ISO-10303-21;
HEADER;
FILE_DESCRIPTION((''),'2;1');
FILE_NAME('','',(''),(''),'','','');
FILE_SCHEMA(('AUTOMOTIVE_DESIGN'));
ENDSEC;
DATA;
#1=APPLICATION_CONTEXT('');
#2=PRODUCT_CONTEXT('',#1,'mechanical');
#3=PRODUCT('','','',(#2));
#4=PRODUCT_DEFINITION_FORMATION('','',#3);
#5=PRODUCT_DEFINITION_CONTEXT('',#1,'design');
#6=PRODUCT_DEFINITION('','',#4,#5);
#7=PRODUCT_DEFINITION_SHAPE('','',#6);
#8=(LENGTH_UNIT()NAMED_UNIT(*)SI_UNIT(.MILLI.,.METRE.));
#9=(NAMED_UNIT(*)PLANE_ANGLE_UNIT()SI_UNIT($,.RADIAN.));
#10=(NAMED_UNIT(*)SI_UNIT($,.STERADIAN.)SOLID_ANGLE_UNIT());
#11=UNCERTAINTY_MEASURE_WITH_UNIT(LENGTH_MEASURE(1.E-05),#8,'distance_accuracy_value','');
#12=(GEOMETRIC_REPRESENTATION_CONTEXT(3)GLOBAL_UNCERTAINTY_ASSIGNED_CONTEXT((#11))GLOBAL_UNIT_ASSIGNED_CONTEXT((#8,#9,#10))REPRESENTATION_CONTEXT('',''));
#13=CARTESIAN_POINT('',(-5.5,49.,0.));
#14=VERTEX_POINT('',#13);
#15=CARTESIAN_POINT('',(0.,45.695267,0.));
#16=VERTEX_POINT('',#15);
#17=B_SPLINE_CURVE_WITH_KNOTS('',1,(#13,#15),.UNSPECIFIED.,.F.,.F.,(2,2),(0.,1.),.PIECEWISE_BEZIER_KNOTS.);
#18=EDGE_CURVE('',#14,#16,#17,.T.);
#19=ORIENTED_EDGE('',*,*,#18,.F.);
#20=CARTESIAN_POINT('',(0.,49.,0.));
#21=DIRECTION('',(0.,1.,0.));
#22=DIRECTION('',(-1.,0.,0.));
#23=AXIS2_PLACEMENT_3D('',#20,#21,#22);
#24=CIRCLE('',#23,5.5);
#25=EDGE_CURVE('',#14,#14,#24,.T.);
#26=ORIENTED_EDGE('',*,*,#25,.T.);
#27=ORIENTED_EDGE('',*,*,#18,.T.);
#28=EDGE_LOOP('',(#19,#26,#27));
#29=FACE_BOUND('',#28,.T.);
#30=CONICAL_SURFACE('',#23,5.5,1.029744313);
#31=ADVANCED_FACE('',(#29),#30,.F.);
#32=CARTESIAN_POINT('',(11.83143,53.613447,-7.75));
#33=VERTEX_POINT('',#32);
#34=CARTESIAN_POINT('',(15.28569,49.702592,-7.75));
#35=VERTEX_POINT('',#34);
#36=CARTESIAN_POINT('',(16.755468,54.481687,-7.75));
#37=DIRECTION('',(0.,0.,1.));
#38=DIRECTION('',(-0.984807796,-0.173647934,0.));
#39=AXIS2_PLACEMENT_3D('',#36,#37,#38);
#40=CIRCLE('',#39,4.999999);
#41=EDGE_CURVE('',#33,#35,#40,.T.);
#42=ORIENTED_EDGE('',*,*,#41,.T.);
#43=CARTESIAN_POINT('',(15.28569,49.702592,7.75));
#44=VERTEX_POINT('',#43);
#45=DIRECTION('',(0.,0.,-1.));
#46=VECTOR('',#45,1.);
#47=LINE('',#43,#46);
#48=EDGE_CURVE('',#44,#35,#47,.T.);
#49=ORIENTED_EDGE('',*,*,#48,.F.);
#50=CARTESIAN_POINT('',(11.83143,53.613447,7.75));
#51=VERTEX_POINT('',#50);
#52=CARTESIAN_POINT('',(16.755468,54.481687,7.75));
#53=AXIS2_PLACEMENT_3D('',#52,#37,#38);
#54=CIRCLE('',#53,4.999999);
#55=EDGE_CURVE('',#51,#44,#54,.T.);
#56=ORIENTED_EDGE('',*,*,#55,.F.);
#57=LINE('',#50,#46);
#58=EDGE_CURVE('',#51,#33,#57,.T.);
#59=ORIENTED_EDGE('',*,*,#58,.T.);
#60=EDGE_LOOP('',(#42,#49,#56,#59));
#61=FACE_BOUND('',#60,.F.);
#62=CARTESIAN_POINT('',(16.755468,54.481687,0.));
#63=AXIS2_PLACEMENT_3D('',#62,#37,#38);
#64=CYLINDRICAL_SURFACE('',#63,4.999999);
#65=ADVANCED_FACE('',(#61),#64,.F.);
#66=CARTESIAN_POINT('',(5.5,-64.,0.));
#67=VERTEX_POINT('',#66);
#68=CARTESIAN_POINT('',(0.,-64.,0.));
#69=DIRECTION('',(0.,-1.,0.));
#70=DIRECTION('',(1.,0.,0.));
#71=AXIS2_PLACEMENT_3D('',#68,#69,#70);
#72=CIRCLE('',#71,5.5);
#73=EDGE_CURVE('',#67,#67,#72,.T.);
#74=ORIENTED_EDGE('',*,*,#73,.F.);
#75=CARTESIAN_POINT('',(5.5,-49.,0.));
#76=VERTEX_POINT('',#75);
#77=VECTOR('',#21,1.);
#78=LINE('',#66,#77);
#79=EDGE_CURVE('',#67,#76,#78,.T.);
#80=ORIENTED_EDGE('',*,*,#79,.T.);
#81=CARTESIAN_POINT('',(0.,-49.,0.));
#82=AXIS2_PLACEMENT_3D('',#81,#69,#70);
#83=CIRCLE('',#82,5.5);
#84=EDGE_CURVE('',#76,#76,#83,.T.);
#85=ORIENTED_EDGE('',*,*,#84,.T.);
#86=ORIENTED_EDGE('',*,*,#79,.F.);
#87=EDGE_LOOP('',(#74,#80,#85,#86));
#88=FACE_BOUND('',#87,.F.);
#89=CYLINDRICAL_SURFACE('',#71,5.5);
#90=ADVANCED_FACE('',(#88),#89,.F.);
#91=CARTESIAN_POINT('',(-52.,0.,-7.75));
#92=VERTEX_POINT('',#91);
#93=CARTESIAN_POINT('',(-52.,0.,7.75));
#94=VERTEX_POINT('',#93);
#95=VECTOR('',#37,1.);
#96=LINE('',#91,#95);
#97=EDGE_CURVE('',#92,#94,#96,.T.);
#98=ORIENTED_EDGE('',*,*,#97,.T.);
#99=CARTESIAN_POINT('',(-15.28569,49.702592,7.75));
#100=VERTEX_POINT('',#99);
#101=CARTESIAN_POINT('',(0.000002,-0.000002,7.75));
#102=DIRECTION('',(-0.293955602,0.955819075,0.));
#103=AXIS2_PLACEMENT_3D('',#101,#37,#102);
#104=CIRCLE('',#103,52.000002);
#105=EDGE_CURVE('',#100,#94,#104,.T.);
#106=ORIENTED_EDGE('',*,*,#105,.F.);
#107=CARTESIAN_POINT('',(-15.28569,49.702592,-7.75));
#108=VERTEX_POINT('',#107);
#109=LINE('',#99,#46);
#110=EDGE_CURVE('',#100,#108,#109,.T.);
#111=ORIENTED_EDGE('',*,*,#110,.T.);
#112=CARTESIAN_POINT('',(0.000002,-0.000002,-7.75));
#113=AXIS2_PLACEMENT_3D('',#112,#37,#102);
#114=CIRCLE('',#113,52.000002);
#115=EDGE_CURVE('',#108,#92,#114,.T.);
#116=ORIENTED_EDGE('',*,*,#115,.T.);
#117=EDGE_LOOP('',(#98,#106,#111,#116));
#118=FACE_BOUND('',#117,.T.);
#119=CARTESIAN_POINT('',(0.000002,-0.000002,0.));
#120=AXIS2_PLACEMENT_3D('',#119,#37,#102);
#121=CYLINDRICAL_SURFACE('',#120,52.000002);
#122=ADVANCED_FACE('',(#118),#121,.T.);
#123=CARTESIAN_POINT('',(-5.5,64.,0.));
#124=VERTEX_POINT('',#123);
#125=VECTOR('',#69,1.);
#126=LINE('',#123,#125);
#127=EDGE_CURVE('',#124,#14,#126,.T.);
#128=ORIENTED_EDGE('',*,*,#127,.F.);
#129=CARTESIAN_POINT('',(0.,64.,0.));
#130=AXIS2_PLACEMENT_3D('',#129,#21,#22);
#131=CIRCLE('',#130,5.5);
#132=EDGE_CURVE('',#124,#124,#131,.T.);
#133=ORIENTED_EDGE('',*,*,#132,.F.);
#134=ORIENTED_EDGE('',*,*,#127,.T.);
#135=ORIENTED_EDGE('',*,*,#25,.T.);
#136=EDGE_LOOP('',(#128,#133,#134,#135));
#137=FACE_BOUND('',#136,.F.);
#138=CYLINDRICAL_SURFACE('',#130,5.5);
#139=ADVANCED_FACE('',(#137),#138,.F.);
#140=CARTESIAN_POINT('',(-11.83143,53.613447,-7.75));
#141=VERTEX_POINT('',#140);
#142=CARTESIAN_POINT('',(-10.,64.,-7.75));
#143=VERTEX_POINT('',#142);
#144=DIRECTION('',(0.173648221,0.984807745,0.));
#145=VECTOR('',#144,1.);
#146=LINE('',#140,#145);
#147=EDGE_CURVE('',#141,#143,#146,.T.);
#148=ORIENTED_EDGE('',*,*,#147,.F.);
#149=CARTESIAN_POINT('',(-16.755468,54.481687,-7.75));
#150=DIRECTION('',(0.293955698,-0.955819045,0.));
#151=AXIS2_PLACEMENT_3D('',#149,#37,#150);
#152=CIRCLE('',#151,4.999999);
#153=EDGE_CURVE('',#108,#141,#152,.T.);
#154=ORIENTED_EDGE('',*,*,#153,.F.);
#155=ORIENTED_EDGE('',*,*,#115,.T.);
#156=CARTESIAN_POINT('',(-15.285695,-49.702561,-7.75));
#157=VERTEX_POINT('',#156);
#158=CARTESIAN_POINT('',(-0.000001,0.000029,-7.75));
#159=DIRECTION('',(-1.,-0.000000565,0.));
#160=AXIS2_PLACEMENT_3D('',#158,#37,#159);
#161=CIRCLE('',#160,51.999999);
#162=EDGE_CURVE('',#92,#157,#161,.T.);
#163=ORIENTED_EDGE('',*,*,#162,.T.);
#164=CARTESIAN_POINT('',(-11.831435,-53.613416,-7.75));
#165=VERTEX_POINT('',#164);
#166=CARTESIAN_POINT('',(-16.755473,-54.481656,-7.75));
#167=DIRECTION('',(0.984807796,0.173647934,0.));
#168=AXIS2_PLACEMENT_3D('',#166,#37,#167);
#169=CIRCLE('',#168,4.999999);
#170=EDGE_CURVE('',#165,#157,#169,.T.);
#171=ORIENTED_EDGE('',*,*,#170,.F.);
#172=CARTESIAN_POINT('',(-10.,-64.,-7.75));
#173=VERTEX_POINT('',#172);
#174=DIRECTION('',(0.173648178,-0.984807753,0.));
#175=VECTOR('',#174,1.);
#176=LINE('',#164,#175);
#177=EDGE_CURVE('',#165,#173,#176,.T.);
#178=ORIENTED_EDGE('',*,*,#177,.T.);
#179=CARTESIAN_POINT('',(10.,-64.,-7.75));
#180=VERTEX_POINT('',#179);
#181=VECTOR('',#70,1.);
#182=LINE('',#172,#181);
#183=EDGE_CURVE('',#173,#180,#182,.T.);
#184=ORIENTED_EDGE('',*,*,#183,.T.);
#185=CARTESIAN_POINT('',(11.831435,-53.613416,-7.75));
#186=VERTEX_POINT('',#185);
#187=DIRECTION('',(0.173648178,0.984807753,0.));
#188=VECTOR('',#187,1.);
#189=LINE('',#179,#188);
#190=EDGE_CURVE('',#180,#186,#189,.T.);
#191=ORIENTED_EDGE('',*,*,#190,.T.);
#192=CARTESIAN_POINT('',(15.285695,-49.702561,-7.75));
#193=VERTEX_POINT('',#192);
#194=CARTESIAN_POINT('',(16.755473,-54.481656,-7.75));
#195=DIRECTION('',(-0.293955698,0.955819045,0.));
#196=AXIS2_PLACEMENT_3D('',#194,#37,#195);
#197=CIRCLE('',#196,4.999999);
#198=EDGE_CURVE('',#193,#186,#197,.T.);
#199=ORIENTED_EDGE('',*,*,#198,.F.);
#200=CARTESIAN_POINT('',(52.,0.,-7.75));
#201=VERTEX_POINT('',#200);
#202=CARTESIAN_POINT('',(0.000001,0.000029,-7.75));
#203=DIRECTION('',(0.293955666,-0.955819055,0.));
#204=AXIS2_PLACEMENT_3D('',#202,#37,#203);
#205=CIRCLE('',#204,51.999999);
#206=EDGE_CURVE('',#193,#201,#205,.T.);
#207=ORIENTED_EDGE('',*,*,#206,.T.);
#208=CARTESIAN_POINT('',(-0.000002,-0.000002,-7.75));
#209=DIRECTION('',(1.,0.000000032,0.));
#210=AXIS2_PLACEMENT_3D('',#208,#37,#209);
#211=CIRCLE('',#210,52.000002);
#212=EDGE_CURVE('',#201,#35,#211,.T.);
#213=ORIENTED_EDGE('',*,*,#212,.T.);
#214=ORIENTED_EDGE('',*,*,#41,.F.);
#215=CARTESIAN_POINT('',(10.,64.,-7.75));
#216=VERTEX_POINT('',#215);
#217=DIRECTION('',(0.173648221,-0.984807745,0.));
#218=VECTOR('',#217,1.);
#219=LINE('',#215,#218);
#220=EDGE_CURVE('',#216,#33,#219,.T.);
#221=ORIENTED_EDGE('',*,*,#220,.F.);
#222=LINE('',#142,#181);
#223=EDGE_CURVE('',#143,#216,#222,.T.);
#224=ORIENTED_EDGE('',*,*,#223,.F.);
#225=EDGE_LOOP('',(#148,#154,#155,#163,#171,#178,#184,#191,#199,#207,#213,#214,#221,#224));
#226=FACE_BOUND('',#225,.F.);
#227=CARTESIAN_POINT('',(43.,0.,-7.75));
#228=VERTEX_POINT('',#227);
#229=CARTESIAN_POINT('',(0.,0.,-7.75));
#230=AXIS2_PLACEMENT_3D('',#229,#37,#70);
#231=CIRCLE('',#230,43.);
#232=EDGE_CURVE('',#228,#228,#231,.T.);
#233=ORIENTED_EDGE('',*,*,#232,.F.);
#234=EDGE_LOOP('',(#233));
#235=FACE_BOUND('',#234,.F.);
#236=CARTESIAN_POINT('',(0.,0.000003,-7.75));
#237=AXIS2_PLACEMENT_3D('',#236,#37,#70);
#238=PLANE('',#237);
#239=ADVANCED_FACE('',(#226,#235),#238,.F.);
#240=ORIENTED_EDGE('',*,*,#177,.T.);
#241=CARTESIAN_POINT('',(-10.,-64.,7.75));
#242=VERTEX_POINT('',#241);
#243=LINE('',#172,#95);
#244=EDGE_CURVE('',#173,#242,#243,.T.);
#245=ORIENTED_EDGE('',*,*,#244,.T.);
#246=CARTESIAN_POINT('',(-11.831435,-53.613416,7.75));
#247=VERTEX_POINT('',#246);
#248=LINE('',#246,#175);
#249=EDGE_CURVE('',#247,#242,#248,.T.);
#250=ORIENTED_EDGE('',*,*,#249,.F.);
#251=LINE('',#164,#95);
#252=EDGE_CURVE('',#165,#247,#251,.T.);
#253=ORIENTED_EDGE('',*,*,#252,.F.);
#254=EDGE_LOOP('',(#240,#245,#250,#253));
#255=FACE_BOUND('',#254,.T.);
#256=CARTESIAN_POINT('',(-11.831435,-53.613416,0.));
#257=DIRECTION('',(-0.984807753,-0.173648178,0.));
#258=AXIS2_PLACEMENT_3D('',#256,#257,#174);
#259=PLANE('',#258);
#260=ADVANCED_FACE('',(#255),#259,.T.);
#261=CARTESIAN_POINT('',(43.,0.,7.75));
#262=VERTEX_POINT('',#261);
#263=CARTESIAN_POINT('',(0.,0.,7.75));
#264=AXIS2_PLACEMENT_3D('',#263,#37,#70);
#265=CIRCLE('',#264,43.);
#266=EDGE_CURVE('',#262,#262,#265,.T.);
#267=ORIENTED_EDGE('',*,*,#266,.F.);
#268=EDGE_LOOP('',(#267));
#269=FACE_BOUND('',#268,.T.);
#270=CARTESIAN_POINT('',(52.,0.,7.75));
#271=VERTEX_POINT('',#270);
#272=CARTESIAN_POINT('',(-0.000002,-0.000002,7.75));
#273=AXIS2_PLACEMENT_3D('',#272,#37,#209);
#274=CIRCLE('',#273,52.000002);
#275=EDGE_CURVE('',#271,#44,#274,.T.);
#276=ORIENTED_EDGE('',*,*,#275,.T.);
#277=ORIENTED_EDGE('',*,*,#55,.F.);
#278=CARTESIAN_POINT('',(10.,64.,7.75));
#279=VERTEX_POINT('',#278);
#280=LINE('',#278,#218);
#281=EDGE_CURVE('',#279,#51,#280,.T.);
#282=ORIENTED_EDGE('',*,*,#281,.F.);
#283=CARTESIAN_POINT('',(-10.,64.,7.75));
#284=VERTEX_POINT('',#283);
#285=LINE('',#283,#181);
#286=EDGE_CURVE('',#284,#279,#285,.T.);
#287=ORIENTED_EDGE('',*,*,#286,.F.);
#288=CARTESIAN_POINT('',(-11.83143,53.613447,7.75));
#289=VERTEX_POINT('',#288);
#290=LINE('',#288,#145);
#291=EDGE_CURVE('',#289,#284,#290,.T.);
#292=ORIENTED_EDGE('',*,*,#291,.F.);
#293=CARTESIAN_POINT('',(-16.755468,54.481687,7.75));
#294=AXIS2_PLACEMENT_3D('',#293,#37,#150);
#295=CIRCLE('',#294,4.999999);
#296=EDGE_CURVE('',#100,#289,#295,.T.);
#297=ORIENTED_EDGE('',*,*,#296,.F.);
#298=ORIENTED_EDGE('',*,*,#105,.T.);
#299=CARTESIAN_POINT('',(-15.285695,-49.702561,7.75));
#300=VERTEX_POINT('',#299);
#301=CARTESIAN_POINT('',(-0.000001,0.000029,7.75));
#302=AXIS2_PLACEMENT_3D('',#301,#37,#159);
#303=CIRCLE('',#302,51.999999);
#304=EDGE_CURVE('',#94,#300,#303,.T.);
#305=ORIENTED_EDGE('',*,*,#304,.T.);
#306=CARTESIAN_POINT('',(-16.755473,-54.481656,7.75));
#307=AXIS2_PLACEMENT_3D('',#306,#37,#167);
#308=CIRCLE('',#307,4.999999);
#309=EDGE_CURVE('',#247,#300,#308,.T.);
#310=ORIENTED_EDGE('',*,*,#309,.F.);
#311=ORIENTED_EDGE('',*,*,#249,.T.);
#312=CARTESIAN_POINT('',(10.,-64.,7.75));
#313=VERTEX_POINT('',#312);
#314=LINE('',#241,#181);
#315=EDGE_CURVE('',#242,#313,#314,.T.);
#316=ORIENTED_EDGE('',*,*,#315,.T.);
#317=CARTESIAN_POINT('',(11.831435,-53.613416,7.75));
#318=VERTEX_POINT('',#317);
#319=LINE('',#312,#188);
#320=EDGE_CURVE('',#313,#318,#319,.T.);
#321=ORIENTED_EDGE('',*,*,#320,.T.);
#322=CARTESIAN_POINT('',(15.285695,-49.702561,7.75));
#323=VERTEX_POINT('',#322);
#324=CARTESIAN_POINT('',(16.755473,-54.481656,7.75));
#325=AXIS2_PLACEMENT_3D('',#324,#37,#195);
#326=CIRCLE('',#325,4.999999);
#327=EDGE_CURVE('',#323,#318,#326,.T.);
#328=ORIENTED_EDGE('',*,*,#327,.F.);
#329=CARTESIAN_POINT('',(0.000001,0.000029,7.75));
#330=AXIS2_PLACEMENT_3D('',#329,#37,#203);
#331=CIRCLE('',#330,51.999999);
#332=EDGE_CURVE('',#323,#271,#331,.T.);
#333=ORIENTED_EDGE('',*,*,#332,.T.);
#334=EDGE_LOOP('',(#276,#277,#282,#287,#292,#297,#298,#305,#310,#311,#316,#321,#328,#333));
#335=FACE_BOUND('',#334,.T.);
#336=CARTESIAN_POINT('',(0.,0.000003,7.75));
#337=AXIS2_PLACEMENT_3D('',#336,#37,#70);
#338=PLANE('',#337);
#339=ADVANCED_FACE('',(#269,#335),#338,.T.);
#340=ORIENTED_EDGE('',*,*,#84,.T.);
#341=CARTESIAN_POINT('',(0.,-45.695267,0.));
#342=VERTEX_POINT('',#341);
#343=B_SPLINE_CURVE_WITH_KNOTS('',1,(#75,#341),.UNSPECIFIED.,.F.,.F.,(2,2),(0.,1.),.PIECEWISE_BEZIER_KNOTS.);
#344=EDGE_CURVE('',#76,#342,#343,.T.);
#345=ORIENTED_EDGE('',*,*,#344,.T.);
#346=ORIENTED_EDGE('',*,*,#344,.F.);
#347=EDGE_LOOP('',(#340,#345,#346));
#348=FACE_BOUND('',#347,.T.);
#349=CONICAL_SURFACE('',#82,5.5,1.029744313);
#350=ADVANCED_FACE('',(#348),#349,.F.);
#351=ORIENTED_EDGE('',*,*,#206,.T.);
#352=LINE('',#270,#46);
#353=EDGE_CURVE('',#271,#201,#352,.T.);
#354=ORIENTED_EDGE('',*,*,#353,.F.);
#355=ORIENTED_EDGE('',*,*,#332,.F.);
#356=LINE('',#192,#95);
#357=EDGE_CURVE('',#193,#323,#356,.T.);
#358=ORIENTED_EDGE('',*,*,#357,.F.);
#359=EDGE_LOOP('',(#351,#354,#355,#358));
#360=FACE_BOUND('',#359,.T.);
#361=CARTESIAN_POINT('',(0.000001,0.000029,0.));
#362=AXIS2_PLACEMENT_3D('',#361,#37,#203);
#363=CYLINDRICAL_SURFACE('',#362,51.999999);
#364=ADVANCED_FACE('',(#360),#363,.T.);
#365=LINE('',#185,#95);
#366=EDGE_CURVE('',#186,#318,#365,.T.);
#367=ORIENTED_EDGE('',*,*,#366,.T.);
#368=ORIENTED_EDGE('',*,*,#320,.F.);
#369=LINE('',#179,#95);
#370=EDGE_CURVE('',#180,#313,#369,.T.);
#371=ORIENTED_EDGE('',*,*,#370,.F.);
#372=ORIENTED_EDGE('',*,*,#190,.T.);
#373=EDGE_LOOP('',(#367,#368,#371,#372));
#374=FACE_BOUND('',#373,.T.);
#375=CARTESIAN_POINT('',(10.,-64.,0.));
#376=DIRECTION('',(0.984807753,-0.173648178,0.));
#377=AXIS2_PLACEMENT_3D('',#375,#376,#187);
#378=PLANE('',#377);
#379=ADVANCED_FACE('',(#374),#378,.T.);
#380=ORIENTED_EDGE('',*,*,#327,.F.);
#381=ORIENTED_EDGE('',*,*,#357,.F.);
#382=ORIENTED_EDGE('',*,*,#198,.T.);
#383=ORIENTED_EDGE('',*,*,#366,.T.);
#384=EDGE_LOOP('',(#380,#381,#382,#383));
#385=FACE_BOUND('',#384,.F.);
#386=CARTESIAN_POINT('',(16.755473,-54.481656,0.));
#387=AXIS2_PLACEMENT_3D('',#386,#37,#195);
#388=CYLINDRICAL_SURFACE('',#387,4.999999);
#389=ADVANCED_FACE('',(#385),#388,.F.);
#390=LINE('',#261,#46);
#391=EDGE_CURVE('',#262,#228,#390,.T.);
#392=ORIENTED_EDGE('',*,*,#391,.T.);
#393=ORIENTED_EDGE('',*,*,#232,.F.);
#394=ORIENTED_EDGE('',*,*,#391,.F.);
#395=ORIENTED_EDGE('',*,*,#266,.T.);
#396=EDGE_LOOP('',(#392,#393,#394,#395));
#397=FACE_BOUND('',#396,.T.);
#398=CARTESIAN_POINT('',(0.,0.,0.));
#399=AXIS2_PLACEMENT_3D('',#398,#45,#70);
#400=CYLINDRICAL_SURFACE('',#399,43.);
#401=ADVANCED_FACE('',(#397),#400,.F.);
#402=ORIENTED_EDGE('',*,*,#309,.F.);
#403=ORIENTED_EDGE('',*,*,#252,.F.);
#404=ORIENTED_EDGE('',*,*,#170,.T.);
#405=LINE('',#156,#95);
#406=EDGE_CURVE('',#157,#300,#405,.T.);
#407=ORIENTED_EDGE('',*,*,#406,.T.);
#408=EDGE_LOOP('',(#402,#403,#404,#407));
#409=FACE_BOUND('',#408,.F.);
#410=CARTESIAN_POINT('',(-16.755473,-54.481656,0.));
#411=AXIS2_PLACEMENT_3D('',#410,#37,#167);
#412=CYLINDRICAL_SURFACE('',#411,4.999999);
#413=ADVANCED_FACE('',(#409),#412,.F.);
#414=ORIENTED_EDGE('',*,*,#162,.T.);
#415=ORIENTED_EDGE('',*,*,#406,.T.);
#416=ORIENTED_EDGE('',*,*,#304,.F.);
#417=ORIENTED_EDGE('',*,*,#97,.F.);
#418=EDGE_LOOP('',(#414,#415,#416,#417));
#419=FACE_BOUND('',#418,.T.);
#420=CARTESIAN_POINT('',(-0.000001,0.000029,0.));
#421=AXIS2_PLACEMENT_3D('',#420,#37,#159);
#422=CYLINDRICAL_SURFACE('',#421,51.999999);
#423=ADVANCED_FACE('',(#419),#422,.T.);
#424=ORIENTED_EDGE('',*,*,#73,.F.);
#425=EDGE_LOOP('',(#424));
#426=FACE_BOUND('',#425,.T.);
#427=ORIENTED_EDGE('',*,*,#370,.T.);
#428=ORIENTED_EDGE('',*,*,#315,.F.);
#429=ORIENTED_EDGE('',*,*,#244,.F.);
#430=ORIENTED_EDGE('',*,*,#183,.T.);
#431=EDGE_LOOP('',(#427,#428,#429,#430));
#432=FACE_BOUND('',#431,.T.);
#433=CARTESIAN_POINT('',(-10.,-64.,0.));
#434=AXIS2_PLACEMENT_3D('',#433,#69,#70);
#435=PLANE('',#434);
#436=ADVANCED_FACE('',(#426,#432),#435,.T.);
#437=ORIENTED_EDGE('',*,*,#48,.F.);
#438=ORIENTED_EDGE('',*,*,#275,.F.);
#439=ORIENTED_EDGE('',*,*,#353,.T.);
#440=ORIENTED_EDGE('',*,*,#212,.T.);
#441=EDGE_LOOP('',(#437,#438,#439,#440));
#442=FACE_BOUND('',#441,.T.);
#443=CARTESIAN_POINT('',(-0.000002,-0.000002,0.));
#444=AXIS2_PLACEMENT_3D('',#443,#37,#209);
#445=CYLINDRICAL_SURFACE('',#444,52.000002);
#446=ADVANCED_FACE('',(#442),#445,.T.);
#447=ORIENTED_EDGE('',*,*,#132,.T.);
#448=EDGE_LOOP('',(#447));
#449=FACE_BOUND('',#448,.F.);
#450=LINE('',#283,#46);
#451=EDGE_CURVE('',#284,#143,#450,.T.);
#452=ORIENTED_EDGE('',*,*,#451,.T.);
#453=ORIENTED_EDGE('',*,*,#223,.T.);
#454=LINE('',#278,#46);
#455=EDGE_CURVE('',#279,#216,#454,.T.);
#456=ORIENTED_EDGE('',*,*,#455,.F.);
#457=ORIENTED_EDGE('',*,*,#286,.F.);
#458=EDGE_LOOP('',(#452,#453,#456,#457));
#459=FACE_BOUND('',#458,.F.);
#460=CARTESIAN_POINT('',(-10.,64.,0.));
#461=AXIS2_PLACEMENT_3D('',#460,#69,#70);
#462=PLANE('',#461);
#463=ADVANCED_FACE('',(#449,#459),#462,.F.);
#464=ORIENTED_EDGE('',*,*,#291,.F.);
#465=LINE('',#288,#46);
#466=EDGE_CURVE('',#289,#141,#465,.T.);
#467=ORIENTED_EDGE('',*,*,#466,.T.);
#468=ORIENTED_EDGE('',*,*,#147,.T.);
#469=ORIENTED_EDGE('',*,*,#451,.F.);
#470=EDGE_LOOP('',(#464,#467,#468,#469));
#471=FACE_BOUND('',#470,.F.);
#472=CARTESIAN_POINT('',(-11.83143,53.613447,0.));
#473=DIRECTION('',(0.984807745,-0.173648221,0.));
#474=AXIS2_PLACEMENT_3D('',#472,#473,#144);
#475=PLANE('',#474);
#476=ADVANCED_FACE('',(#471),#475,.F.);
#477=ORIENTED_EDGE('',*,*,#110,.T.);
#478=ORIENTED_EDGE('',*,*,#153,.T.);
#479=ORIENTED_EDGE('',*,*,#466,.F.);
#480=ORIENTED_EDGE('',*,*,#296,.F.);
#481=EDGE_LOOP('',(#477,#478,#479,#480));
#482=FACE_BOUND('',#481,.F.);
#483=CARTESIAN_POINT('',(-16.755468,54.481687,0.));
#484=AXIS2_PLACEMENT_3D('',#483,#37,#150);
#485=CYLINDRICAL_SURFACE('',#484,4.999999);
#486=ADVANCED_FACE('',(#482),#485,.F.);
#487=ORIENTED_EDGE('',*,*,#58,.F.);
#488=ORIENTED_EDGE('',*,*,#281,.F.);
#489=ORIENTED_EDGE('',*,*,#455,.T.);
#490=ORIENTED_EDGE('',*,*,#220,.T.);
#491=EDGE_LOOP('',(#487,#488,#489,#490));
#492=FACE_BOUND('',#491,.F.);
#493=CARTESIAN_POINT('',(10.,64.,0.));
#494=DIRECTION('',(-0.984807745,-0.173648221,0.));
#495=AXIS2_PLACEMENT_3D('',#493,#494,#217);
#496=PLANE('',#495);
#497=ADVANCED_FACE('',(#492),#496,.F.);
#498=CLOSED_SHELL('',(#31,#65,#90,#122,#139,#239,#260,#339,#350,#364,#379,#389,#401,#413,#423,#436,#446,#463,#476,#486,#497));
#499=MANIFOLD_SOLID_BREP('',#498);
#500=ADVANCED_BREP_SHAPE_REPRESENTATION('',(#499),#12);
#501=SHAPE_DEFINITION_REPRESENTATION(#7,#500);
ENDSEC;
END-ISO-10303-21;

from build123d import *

# Parameters (mm, degrees)
SKETCH007_R    = 43
PAD002_DEPTH   = 7.75
SKETCH_R       = 5.5
HOLE001_DEPTH  = 15
HOLE001_TIPS_R = 5.5
SKETCH083_R    = 5.5
HOLE002_DEPTH  = 15
HOLE002_TIPS_R = 5.5


with BuildPart() as part:
    # Sketch007 → Pad002 (new body, symmetric)
    with BuildSketch(Plane.XY):
        with BuildLine():
            ThreePointArc((-15.28569, 49.702592), (-41.826163, 30.896149), (-52, 0))
            ThreePointArc((-52, 0), (-41.826156, -30.89613), (-15.285695, -49.702561))
            ThreePointArc((-11.831435, -53.613416), (-13.007952, -51.171659), (-15.285695, -49.702561))
            Line((-11.831435, -53.613416), (-10, -64))
            Line((-10, -64), (10, -64))
            Line((10, -64), (11.831435, -53.613416))
            ThreePointArc((15.285695, -49.702561), (13.007952, -51.171659), (11.831435, -53.613416))
            ThreePointArc((15.285695, -49.702561), (41.826156, -30.89613), (52, 0))
            ThreePointArc((52, 0), (41.826163, 30.896149), (15.28569, 49.702592))
            ThreePointArc((11.83143, 53.613447), (13.007947, 51.17169), (15.28569, 49.702592))
            Line((10, 64), (11.83143, 53.613447))
            Line((-10, 64), (10, 64))
            Line((-11.83143, 53.613447), (-10, 64))
            ThreePointArc((-15.28569, 49.702592), (-13.007947, 51.17169), (-11.83143, 53.613447))
        make_face()
        Circle(SKETCH007_R, mode=Mode.SUBTRACT)
    extrude(amount=PAD002_DEPTH, both=True)

    # Sketch (on Face6 of Pad002) → Hole001 (cut)
    with BuildSketch(Plane.XZ.offset(64)):
        Circle(SKETCH_R)
    extrude(amount=-HOLE001_DEPTH, mode=Mode.SUBTRACT)

    # Hole001 tips → Hole001 tip 1 section 0
    with BuildSketch(Plane.XZ.offset(49), mode=Mode.PRIVATE) as hole001_tip_1_s0:
        Circle(HOLE001_TIPS_R)
    loft([hole001_tip_1_s0.sketch, Vertex(0, -45.695267, 0)], mode=Mode.SUBTRACT)

    # Sketch083 (on Face7 of Hole001) → Hole002 (cut)
    with BuildSketch(Plane(origin=(0, 64, 0), x_dir=(-1, 0, 0), z_dir=(0, 1, 0))):
        Circle(SKETCH083_R)
    extrude(amount=-HOLE002_DEPTH, mode=Mode.SUBTRACT)

    # Hole002 tips → Hole002 tip 1 section 0
    with BuildSketch(Plane(origin=(0, 49, 0), x_dir=(-1, 0, 0), z_dir=(0, 1, 0)), mode=Mode.PRIVATE) as hole002_tip_1_s0:
        Circle(HOLE002_TIPS_R)
    loft([hole002_tip_1_s0.sketch, Vertex(0, 45.695267, 0)], mode=Mode.SUBTRACT)


solid = part.part
